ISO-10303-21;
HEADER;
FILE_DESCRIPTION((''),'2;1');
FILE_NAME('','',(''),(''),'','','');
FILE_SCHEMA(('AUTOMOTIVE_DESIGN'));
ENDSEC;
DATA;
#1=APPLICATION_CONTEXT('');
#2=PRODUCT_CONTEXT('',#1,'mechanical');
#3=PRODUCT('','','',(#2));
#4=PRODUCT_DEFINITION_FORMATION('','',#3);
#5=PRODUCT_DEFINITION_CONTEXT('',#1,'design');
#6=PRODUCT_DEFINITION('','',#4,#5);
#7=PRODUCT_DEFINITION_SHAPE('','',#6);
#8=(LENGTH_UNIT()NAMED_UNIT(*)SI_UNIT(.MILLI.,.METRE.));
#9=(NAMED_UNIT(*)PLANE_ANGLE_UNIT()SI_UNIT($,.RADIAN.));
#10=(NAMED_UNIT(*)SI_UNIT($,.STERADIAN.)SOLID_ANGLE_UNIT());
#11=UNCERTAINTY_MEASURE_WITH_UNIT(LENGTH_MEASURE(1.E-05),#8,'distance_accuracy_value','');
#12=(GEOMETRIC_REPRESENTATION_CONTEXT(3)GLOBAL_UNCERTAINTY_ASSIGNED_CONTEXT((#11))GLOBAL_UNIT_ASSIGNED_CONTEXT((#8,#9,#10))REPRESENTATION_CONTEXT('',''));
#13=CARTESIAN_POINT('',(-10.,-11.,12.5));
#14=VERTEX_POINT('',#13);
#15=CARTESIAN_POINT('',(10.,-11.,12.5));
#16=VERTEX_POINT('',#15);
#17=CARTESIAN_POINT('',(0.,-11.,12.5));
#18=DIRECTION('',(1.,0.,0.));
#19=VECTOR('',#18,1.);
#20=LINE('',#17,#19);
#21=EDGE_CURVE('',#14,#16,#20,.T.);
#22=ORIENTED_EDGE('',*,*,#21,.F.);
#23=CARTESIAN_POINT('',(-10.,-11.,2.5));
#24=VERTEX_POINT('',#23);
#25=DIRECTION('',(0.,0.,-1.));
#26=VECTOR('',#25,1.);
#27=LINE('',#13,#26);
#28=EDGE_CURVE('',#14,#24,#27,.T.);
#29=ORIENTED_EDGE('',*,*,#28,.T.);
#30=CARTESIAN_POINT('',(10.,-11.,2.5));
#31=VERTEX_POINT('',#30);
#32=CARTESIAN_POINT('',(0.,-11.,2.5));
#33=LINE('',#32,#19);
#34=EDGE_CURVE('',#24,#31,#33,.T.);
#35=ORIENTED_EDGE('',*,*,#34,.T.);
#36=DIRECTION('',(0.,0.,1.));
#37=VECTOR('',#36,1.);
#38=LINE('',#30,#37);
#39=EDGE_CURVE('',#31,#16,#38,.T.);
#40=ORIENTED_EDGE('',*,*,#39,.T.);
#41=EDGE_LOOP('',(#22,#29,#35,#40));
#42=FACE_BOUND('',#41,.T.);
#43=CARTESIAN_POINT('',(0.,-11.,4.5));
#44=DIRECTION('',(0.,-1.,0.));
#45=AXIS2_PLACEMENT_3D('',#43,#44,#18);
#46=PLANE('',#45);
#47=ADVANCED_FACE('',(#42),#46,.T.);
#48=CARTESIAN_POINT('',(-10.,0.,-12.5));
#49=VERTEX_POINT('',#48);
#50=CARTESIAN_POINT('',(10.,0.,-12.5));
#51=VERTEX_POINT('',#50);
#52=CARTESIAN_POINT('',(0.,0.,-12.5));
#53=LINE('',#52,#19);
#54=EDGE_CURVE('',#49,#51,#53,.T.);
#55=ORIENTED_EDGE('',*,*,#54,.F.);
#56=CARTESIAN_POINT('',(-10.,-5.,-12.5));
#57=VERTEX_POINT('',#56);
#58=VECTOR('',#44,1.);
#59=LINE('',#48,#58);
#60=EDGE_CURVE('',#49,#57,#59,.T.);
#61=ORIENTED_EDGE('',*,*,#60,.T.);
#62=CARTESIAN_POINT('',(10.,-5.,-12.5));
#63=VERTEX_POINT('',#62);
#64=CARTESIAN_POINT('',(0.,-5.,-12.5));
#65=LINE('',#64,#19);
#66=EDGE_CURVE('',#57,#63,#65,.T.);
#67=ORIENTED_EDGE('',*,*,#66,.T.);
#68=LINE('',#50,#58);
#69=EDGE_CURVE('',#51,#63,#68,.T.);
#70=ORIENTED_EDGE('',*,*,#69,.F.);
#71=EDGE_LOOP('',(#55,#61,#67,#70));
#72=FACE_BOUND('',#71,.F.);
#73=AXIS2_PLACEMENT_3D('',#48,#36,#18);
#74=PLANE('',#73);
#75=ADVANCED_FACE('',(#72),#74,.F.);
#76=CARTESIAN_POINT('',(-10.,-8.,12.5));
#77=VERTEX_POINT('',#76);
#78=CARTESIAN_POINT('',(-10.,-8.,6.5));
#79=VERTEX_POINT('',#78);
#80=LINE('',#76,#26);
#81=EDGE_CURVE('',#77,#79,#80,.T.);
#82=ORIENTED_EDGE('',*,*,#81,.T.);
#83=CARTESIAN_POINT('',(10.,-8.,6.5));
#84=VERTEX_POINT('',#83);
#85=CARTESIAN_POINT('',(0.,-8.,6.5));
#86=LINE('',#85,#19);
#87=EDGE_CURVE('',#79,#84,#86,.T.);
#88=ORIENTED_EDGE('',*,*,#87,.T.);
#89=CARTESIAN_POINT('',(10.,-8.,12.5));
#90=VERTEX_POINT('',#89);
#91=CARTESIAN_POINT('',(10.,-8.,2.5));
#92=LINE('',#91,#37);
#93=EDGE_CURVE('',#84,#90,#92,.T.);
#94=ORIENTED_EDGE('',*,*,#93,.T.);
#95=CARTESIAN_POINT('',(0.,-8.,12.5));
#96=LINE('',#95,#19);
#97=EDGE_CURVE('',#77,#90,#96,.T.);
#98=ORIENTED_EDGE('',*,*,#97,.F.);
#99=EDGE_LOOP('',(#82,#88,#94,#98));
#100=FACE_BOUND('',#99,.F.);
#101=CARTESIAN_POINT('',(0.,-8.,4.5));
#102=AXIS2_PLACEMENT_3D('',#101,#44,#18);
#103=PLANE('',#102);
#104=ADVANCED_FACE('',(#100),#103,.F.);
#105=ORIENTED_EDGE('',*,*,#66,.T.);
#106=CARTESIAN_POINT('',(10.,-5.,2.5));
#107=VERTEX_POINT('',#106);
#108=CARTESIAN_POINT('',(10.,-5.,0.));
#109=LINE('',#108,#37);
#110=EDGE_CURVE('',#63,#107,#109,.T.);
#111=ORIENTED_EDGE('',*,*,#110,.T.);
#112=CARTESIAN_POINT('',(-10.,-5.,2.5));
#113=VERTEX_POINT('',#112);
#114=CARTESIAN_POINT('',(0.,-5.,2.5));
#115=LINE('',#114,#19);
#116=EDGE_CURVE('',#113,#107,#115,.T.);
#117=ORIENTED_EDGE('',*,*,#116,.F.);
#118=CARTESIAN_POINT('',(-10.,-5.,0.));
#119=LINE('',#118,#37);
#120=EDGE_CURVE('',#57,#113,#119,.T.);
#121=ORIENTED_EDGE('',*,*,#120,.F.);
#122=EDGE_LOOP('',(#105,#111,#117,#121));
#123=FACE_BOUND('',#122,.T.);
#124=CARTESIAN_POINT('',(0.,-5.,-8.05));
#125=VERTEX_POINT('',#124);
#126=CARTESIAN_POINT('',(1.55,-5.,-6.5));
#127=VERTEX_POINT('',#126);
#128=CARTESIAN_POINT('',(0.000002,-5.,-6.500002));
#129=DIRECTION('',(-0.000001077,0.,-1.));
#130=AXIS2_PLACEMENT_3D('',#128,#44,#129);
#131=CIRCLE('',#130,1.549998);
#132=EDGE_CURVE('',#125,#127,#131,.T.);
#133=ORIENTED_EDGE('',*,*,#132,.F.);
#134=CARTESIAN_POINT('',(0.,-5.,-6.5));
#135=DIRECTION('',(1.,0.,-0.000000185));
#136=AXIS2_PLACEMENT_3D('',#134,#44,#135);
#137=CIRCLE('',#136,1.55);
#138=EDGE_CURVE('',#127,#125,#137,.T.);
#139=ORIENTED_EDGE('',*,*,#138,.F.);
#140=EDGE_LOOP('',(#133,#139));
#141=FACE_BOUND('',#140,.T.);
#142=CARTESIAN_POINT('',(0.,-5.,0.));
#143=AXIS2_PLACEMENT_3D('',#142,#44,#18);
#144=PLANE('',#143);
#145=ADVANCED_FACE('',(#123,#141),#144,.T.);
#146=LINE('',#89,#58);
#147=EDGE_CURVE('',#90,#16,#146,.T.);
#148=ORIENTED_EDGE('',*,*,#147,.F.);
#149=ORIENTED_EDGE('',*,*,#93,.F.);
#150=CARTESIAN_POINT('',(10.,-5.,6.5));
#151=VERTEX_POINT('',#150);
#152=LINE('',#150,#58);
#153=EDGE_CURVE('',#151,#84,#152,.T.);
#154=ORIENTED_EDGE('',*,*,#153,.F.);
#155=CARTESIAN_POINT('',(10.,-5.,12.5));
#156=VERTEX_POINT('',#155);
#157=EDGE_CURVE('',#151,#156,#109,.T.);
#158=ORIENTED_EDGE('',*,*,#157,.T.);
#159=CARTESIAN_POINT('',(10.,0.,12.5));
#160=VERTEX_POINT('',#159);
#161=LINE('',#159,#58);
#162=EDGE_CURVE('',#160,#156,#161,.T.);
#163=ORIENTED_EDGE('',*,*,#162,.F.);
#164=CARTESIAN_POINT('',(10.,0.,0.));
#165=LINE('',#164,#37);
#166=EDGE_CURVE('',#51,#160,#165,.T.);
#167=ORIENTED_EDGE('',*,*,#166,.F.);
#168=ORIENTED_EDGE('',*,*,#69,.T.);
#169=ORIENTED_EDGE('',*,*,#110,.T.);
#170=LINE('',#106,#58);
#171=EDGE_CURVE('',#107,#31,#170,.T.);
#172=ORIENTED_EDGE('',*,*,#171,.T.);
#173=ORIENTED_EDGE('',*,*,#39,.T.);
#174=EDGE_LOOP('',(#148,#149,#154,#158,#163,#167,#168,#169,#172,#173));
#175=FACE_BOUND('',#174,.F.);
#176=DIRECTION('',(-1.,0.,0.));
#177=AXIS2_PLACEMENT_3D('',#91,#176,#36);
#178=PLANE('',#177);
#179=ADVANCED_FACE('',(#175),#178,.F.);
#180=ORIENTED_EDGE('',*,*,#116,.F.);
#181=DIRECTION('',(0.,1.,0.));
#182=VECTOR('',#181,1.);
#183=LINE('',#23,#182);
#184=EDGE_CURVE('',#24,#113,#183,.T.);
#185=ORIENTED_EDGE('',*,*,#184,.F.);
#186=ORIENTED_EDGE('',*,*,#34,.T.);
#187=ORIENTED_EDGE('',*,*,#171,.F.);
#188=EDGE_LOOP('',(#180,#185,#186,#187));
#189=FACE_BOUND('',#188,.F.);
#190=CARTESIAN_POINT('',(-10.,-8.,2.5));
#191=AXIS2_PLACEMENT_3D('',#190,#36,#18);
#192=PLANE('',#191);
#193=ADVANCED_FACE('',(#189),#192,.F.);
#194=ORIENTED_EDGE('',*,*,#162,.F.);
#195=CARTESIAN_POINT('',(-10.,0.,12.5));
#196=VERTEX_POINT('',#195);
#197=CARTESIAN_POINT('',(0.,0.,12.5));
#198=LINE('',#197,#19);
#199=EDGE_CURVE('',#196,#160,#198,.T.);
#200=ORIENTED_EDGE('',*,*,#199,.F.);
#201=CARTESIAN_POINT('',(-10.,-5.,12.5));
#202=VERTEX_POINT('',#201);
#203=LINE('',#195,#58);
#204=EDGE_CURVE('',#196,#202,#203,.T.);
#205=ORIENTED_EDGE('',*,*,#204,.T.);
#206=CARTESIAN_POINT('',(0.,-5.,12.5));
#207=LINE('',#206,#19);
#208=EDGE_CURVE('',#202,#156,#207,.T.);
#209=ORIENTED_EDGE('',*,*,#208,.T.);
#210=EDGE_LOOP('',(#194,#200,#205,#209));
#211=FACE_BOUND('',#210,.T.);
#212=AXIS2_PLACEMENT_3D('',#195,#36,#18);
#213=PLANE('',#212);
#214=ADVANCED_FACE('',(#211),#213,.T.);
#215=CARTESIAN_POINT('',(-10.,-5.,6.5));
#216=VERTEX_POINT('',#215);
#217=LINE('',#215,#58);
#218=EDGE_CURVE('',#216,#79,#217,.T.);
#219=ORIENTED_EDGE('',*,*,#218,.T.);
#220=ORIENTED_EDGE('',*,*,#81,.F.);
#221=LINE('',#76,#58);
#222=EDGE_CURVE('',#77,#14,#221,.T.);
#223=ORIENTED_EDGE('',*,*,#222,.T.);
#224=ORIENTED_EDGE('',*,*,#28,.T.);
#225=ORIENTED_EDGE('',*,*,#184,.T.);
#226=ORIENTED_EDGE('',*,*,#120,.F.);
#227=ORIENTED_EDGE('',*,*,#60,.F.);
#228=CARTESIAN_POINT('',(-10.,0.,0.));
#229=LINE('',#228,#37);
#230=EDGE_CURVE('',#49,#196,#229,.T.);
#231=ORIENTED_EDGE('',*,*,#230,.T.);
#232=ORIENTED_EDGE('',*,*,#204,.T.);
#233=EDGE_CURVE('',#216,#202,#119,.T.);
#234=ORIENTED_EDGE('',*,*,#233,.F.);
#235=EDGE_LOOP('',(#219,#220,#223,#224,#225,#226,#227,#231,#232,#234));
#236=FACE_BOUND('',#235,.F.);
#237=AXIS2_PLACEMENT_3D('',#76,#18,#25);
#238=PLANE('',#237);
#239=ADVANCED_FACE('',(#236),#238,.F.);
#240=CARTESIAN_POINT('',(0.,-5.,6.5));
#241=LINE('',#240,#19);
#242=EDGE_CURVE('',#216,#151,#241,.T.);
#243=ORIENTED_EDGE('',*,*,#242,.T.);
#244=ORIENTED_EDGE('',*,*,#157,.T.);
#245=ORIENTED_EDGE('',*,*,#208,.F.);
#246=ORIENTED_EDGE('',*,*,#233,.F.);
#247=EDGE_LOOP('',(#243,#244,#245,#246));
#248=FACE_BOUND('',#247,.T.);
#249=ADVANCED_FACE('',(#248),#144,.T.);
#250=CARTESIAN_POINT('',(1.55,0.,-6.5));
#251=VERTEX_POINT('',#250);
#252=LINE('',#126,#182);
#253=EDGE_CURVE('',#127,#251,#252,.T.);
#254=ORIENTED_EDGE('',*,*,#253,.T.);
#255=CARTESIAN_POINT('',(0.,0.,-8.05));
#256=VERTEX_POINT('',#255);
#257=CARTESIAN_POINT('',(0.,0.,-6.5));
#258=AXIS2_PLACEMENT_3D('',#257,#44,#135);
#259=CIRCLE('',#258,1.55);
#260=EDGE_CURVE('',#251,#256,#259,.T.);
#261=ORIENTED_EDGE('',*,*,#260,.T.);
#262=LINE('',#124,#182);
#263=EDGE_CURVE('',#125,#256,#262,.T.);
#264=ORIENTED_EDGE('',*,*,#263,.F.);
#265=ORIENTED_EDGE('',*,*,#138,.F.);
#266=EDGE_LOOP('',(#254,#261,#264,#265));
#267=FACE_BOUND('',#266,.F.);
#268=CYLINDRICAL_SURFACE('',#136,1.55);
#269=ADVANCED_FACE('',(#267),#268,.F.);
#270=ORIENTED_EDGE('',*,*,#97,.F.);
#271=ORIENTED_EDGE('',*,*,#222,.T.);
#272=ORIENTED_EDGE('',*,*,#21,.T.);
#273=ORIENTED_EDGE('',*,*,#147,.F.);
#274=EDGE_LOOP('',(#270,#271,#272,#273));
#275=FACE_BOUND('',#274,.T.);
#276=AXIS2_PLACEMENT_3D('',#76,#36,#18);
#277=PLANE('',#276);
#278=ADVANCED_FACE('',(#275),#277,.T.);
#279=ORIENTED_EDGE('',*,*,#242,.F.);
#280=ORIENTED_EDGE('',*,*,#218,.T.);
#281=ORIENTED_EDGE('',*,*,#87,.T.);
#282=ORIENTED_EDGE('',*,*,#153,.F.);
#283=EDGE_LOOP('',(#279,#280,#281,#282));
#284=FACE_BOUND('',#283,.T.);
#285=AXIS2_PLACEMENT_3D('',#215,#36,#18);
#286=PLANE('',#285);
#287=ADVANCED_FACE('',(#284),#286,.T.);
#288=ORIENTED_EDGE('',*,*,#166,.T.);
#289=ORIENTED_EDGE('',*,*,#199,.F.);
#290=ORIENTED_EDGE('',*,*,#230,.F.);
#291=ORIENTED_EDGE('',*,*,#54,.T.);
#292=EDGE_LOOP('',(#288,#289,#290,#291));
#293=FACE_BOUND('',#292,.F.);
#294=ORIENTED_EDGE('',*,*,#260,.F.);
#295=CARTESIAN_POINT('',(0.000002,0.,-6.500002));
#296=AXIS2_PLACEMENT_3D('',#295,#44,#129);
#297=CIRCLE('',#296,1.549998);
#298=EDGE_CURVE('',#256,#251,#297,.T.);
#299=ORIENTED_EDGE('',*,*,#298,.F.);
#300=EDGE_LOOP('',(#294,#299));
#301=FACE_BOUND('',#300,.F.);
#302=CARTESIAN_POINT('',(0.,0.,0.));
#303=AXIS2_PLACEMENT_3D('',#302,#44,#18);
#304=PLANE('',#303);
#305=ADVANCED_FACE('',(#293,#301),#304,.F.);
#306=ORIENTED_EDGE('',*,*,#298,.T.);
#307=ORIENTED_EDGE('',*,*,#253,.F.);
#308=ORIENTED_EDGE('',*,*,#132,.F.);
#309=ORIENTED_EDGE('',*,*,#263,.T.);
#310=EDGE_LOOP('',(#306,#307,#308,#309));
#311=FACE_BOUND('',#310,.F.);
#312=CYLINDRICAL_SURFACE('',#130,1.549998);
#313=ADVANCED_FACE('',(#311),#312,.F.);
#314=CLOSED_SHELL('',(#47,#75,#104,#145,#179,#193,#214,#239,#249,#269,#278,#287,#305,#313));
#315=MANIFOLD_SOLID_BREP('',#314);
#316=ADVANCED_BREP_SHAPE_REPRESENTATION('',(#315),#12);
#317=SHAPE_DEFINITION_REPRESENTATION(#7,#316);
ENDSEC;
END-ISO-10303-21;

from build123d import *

# Parameters (mm, degrees)
F0_W     = 20
F0_H     = 25
F1_DEPTH = 5
F2_W     = 20
F2_H     = 4
F3_DEPTH = 3
F4_W     = 20
F4_H     = 4
F4_H_2   = 6
F5_DEPTH = 3
F7_DEPTH = 25


with BuildPart() as f1:
    # F0 (on Front) → F1 (new body)
    with BuildSketch(Plane.XZ):
        Rectangle(F0_W, F0_H)
    extrude(amount=F1_DEPTH)

    # F2 (on face) → F3 (join)
    with BuildSketch(Plane.XZ.offset(5)):
        with Locations((0, 4.5)):
            Rectangle(F2_W, F2_H)
    extrude(amount=F3_DEPTH)

    # F4 (on face) → F5 (join)
    with BuildSketch(Plane.XZ.offset(8)):
        with Locations((0, 4.5)):
            Rectangle(F4_W, F4_H)
        with Locations((0, 9.5)):
            Rectangle(F4_W, F4_H_2)
    extrude(amount=F5_DEPTH)

    # F6 (on face) → F7 (cut)
    with BuildSketch(Plane.XZ.offset(5)):
        with BuildLine():
            ThreePointArc((1.55, -6.5), (-1.096016, -5.403984), (0, -8.05))
            ThreePointArc((0, -8.05), (1.096016, -7.596016), (1.55, -6.5))
        make_face()
    extrude(amount=-F7_DEPTH, mode=Mode.SUBTRACT)


solid = f1.part
